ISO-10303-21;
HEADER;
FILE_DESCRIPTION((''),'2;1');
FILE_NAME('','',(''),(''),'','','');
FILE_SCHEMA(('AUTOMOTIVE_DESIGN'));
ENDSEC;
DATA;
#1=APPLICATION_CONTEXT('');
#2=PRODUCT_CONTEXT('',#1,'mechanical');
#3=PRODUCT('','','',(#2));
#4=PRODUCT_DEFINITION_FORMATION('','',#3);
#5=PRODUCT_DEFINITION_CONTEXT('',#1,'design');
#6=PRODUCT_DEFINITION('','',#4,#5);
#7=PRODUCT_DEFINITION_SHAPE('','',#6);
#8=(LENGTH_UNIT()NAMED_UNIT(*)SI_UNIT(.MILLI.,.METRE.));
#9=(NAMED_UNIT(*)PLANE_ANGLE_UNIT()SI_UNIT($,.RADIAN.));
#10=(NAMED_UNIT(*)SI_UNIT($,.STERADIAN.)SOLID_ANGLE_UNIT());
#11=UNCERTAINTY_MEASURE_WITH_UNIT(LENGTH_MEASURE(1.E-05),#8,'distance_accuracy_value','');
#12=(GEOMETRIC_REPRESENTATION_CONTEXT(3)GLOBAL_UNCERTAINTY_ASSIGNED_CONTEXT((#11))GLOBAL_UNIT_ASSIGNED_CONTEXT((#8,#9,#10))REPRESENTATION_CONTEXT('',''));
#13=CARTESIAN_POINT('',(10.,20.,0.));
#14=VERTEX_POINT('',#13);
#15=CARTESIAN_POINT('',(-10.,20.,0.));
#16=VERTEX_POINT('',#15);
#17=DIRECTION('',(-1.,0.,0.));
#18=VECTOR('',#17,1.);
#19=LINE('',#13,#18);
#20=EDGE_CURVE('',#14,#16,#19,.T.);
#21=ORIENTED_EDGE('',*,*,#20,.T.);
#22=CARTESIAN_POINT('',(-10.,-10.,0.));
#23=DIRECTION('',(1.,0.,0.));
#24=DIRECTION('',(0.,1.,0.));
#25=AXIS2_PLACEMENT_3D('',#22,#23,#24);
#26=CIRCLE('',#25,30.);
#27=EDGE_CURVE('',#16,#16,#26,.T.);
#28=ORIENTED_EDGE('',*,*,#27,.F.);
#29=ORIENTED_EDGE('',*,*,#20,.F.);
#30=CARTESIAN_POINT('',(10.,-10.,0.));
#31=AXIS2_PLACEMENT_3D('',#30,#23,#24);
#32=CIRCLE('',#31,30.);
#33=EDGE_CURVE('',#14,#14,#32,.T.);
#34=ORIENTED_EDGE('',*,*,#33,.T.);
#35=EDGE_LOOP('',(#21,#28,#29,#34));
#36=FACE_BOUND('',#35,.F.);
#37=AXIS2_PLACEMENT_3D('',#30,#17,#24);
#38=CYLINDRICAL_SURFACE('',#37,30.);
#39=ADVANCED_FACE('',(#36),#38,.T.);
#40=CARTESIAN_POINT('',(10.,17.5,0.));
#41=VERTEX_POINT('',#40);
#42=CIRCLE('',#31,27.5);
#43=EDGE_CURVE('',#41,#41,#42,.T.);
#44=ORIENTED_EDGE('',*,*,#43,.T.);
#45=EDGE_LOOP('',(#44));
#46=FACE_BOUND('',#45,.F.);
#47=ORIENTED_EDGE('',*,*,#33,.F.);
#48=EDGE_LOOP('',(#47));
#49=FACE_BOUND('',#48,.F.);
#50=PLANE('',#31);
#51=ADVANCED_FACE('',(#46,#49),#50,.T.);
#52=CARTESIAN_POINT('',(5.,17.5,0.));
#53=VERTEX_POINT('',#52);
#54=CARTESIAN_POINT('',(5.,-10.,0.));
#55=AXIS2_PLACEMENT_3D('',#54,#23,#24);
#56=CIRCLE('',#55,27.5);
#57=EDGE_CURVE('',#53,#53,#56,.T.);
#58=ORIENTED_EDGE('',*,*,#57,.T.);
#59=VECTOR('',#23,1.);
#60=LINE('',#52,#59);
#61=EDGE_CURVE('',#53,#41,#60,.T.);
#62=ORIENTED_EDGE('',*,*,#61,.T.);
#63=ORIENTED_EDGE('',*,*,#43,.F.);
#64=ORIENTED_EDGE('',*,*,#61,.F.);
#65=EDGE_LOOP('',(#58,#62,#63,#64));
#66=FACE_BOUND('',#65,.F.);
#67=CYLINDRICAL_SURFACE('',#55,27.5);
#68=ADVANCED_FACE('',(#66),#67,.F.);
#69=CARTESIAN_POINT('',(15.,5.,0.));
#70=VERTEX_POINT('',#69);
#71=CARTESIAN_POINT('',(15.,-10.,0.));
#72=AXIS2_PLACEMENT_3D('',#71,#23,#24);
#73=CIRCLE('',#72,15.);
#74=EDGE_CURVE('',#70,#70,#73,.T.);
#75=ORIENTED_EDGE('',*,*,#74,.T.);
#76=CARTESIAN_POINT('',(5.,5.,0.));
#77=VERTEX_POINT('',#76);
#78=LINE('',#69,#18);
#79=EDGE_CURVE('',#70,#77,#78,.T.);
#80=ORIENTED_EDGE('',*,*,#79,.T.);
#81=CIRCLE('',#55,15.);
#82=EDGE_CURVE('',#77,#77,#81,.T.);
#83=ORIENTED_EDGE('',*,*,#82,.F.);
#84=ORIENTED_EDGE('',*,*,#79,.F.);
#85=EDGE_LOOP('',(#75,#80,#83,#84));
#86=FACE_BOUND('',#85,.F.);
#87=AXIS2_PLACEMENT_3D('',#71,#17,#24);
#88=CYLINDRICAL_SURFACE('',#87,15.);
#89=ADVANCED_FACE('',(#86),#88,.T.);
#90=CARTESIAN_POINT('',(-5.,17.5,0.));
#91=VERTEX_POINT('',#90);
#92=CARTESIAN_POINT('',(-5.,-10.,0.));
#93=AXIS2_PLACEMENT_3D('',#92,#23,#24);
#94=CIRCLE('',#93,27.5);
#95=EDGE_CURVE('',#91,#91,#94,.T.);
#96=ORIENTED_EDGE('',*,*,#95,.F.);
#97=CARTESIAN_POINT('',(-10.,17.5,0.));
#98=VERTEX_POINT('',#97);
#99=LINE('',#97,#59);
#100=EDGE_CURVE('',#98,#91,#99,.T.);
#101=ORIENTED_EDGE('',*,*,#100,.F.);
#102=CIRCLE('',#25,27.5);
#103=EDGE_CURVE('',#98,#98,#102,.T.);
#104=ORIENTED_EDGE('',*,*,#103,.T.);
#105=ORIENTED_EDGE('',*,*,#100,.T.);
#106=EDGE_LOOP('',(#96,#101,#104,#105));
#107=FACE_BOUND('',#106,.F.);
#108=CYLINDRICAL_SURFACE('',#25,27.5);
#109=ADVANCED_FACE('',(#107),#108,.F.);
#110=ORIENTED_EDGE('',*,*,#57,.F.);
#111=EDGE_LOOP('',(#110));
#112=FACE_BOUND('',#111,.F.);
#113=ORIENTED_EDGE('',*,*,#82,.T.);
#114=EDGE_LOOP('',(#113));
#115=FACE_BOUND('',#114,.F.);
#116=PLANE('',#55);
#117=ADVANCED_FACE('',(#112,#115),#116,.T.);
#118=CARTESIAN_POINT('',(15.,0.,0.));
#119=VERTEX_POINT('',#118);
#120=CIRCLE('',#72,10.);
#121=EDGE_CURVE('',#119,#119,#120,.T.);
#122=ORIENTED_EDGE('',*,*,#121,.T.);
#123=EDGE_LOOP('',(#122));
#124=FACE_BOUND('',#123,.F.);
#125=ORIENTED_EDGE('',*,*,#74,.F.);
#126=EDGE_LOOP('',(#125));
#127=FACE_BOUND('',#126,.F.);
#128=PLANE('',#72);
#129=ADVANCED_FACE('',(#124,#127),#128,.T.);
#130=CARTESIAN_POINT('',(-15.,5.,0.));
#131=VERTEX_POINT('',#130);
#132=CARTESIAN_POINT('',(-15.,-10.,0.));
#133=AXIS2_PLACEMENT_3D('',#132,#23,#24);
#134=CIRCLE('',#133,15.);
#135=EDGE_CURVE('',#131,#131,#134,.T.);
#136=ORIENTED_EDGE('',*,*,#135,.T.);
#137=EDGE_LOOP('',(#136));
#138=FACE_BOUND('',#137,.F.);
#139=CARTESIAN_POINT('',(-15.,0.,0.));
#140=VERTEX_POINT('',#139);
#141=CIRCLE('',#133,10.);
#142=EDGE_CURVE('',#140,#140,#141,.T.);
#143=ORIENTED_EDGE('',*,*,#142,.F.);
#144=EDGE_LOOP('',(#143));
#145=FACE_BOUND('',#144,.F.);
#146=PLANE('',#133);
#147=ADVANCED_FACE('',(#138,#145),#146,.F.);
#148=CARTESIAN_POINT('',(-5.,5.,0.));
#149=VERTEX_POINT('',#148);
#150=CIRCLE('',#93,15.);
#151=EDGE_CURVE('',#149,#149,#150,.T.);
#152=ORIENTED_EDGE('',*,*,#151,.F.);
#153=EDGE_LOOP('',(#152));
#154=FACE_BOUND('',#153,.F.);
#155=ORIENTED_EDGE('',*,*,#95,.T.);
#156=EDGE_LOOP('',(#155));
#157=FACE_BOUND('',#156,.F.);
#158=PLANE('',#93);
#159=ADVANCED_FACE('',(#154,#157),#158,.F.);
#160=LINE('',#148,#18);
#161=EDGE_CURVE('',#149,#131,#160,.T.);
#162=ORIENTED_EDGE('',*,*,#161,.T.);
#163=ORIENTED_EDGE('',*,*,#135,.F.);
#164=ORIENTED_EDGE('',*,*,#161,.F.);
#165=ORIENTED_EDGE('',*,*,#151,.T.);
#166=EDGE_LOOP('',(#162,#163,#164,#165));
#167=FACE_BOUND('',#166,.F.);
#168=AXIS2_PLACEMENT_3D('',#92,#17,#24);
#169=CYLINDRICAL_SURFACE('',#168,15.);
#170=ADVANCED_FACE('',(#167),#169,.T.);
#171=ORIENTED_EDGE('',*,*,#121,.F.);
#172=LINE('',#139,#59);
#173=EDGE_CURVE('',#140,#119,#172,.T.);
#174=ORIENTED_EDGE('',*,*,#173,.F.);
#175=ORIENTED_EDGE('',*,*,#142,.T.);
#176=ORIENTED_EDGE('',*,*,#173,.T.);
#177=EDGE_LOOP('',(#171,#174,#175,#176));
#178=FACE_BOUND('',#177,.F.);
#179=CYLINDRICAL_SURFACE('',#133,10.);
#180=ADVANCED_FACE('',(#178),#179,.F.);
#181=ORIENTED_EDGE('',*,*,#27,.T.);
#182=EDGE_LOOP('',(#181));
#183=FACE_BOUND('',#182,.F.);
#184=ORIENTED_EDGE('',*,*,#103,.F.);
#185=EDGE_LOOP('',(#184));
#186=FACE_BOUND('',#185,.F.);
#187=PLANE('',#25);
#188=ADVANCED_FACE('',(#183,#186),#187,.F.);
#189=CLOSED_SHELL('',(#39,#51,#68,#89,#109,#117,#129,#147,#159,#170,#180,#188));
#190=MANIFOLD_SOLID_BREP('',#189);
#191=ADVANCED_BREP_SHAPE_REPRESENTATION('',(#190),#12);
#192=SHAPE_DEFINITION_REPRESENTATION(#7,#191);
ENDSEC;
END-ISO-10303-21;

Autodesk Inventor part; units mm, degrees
ref_plane "YZ Plane" through (0, 0, 0) normal (1, 0, 0) x (0, 1, 0)
ref_plane "XZ Plane" through (0, 0, 0) normal (0, 1, 0) x (-1, 0, 0)
ref_plane "XY Plane" through (0, 0, 0) normal (0, 0, 1) x (1, 0, 0)
sketch "Boceto1" plane through (0, 0, 0) normal (0, 0, 1) x (1, 0, 0)
  line L0 (-15, 0) -> (15, 0)
  line L1 (15, 0) -> (15, 5)
  line L2 (15, 5) -> (5, 5)
  line L3 (5, 5) -> (5, 17.5)
  line L4 (5, 17.5) -> (10, 17.5)
  line L5 (10, 17.5) -> (10, 20)
  line L6 (10, 20) -> (-10, 20)
  line L7 (-10, 20) -> (-10, 17.5)
  line L8 (-10, 17.5) -> (-5, 17.5)
  line L9 (-5, 17.5) -> (-5, 5)
  line L10 (-5, 5) -> (-15, 5)
  line L11 (-15, 5) -> (-15, 0)
  line L12 (-15, -10) -> (15, -10)
  point P0 (0, 0)
  point P1 (0, 0)
  point P2 (7.5, 17.5)
  point P3 (10, 5)
  dimension "d6" = 30
  dimension "d7" = 20
  dimension "d8" = 5
  dimension "d9" = 60
  dimension "d10" = 55
  dimension "d11" = 30
  dimension "d12" = 20
revolve "Revolución1" add sketch "Boceto1" angle 360 about axis through (-15, -10, 0) along (1, 0, 0)
properties part number "Rueda polea"
